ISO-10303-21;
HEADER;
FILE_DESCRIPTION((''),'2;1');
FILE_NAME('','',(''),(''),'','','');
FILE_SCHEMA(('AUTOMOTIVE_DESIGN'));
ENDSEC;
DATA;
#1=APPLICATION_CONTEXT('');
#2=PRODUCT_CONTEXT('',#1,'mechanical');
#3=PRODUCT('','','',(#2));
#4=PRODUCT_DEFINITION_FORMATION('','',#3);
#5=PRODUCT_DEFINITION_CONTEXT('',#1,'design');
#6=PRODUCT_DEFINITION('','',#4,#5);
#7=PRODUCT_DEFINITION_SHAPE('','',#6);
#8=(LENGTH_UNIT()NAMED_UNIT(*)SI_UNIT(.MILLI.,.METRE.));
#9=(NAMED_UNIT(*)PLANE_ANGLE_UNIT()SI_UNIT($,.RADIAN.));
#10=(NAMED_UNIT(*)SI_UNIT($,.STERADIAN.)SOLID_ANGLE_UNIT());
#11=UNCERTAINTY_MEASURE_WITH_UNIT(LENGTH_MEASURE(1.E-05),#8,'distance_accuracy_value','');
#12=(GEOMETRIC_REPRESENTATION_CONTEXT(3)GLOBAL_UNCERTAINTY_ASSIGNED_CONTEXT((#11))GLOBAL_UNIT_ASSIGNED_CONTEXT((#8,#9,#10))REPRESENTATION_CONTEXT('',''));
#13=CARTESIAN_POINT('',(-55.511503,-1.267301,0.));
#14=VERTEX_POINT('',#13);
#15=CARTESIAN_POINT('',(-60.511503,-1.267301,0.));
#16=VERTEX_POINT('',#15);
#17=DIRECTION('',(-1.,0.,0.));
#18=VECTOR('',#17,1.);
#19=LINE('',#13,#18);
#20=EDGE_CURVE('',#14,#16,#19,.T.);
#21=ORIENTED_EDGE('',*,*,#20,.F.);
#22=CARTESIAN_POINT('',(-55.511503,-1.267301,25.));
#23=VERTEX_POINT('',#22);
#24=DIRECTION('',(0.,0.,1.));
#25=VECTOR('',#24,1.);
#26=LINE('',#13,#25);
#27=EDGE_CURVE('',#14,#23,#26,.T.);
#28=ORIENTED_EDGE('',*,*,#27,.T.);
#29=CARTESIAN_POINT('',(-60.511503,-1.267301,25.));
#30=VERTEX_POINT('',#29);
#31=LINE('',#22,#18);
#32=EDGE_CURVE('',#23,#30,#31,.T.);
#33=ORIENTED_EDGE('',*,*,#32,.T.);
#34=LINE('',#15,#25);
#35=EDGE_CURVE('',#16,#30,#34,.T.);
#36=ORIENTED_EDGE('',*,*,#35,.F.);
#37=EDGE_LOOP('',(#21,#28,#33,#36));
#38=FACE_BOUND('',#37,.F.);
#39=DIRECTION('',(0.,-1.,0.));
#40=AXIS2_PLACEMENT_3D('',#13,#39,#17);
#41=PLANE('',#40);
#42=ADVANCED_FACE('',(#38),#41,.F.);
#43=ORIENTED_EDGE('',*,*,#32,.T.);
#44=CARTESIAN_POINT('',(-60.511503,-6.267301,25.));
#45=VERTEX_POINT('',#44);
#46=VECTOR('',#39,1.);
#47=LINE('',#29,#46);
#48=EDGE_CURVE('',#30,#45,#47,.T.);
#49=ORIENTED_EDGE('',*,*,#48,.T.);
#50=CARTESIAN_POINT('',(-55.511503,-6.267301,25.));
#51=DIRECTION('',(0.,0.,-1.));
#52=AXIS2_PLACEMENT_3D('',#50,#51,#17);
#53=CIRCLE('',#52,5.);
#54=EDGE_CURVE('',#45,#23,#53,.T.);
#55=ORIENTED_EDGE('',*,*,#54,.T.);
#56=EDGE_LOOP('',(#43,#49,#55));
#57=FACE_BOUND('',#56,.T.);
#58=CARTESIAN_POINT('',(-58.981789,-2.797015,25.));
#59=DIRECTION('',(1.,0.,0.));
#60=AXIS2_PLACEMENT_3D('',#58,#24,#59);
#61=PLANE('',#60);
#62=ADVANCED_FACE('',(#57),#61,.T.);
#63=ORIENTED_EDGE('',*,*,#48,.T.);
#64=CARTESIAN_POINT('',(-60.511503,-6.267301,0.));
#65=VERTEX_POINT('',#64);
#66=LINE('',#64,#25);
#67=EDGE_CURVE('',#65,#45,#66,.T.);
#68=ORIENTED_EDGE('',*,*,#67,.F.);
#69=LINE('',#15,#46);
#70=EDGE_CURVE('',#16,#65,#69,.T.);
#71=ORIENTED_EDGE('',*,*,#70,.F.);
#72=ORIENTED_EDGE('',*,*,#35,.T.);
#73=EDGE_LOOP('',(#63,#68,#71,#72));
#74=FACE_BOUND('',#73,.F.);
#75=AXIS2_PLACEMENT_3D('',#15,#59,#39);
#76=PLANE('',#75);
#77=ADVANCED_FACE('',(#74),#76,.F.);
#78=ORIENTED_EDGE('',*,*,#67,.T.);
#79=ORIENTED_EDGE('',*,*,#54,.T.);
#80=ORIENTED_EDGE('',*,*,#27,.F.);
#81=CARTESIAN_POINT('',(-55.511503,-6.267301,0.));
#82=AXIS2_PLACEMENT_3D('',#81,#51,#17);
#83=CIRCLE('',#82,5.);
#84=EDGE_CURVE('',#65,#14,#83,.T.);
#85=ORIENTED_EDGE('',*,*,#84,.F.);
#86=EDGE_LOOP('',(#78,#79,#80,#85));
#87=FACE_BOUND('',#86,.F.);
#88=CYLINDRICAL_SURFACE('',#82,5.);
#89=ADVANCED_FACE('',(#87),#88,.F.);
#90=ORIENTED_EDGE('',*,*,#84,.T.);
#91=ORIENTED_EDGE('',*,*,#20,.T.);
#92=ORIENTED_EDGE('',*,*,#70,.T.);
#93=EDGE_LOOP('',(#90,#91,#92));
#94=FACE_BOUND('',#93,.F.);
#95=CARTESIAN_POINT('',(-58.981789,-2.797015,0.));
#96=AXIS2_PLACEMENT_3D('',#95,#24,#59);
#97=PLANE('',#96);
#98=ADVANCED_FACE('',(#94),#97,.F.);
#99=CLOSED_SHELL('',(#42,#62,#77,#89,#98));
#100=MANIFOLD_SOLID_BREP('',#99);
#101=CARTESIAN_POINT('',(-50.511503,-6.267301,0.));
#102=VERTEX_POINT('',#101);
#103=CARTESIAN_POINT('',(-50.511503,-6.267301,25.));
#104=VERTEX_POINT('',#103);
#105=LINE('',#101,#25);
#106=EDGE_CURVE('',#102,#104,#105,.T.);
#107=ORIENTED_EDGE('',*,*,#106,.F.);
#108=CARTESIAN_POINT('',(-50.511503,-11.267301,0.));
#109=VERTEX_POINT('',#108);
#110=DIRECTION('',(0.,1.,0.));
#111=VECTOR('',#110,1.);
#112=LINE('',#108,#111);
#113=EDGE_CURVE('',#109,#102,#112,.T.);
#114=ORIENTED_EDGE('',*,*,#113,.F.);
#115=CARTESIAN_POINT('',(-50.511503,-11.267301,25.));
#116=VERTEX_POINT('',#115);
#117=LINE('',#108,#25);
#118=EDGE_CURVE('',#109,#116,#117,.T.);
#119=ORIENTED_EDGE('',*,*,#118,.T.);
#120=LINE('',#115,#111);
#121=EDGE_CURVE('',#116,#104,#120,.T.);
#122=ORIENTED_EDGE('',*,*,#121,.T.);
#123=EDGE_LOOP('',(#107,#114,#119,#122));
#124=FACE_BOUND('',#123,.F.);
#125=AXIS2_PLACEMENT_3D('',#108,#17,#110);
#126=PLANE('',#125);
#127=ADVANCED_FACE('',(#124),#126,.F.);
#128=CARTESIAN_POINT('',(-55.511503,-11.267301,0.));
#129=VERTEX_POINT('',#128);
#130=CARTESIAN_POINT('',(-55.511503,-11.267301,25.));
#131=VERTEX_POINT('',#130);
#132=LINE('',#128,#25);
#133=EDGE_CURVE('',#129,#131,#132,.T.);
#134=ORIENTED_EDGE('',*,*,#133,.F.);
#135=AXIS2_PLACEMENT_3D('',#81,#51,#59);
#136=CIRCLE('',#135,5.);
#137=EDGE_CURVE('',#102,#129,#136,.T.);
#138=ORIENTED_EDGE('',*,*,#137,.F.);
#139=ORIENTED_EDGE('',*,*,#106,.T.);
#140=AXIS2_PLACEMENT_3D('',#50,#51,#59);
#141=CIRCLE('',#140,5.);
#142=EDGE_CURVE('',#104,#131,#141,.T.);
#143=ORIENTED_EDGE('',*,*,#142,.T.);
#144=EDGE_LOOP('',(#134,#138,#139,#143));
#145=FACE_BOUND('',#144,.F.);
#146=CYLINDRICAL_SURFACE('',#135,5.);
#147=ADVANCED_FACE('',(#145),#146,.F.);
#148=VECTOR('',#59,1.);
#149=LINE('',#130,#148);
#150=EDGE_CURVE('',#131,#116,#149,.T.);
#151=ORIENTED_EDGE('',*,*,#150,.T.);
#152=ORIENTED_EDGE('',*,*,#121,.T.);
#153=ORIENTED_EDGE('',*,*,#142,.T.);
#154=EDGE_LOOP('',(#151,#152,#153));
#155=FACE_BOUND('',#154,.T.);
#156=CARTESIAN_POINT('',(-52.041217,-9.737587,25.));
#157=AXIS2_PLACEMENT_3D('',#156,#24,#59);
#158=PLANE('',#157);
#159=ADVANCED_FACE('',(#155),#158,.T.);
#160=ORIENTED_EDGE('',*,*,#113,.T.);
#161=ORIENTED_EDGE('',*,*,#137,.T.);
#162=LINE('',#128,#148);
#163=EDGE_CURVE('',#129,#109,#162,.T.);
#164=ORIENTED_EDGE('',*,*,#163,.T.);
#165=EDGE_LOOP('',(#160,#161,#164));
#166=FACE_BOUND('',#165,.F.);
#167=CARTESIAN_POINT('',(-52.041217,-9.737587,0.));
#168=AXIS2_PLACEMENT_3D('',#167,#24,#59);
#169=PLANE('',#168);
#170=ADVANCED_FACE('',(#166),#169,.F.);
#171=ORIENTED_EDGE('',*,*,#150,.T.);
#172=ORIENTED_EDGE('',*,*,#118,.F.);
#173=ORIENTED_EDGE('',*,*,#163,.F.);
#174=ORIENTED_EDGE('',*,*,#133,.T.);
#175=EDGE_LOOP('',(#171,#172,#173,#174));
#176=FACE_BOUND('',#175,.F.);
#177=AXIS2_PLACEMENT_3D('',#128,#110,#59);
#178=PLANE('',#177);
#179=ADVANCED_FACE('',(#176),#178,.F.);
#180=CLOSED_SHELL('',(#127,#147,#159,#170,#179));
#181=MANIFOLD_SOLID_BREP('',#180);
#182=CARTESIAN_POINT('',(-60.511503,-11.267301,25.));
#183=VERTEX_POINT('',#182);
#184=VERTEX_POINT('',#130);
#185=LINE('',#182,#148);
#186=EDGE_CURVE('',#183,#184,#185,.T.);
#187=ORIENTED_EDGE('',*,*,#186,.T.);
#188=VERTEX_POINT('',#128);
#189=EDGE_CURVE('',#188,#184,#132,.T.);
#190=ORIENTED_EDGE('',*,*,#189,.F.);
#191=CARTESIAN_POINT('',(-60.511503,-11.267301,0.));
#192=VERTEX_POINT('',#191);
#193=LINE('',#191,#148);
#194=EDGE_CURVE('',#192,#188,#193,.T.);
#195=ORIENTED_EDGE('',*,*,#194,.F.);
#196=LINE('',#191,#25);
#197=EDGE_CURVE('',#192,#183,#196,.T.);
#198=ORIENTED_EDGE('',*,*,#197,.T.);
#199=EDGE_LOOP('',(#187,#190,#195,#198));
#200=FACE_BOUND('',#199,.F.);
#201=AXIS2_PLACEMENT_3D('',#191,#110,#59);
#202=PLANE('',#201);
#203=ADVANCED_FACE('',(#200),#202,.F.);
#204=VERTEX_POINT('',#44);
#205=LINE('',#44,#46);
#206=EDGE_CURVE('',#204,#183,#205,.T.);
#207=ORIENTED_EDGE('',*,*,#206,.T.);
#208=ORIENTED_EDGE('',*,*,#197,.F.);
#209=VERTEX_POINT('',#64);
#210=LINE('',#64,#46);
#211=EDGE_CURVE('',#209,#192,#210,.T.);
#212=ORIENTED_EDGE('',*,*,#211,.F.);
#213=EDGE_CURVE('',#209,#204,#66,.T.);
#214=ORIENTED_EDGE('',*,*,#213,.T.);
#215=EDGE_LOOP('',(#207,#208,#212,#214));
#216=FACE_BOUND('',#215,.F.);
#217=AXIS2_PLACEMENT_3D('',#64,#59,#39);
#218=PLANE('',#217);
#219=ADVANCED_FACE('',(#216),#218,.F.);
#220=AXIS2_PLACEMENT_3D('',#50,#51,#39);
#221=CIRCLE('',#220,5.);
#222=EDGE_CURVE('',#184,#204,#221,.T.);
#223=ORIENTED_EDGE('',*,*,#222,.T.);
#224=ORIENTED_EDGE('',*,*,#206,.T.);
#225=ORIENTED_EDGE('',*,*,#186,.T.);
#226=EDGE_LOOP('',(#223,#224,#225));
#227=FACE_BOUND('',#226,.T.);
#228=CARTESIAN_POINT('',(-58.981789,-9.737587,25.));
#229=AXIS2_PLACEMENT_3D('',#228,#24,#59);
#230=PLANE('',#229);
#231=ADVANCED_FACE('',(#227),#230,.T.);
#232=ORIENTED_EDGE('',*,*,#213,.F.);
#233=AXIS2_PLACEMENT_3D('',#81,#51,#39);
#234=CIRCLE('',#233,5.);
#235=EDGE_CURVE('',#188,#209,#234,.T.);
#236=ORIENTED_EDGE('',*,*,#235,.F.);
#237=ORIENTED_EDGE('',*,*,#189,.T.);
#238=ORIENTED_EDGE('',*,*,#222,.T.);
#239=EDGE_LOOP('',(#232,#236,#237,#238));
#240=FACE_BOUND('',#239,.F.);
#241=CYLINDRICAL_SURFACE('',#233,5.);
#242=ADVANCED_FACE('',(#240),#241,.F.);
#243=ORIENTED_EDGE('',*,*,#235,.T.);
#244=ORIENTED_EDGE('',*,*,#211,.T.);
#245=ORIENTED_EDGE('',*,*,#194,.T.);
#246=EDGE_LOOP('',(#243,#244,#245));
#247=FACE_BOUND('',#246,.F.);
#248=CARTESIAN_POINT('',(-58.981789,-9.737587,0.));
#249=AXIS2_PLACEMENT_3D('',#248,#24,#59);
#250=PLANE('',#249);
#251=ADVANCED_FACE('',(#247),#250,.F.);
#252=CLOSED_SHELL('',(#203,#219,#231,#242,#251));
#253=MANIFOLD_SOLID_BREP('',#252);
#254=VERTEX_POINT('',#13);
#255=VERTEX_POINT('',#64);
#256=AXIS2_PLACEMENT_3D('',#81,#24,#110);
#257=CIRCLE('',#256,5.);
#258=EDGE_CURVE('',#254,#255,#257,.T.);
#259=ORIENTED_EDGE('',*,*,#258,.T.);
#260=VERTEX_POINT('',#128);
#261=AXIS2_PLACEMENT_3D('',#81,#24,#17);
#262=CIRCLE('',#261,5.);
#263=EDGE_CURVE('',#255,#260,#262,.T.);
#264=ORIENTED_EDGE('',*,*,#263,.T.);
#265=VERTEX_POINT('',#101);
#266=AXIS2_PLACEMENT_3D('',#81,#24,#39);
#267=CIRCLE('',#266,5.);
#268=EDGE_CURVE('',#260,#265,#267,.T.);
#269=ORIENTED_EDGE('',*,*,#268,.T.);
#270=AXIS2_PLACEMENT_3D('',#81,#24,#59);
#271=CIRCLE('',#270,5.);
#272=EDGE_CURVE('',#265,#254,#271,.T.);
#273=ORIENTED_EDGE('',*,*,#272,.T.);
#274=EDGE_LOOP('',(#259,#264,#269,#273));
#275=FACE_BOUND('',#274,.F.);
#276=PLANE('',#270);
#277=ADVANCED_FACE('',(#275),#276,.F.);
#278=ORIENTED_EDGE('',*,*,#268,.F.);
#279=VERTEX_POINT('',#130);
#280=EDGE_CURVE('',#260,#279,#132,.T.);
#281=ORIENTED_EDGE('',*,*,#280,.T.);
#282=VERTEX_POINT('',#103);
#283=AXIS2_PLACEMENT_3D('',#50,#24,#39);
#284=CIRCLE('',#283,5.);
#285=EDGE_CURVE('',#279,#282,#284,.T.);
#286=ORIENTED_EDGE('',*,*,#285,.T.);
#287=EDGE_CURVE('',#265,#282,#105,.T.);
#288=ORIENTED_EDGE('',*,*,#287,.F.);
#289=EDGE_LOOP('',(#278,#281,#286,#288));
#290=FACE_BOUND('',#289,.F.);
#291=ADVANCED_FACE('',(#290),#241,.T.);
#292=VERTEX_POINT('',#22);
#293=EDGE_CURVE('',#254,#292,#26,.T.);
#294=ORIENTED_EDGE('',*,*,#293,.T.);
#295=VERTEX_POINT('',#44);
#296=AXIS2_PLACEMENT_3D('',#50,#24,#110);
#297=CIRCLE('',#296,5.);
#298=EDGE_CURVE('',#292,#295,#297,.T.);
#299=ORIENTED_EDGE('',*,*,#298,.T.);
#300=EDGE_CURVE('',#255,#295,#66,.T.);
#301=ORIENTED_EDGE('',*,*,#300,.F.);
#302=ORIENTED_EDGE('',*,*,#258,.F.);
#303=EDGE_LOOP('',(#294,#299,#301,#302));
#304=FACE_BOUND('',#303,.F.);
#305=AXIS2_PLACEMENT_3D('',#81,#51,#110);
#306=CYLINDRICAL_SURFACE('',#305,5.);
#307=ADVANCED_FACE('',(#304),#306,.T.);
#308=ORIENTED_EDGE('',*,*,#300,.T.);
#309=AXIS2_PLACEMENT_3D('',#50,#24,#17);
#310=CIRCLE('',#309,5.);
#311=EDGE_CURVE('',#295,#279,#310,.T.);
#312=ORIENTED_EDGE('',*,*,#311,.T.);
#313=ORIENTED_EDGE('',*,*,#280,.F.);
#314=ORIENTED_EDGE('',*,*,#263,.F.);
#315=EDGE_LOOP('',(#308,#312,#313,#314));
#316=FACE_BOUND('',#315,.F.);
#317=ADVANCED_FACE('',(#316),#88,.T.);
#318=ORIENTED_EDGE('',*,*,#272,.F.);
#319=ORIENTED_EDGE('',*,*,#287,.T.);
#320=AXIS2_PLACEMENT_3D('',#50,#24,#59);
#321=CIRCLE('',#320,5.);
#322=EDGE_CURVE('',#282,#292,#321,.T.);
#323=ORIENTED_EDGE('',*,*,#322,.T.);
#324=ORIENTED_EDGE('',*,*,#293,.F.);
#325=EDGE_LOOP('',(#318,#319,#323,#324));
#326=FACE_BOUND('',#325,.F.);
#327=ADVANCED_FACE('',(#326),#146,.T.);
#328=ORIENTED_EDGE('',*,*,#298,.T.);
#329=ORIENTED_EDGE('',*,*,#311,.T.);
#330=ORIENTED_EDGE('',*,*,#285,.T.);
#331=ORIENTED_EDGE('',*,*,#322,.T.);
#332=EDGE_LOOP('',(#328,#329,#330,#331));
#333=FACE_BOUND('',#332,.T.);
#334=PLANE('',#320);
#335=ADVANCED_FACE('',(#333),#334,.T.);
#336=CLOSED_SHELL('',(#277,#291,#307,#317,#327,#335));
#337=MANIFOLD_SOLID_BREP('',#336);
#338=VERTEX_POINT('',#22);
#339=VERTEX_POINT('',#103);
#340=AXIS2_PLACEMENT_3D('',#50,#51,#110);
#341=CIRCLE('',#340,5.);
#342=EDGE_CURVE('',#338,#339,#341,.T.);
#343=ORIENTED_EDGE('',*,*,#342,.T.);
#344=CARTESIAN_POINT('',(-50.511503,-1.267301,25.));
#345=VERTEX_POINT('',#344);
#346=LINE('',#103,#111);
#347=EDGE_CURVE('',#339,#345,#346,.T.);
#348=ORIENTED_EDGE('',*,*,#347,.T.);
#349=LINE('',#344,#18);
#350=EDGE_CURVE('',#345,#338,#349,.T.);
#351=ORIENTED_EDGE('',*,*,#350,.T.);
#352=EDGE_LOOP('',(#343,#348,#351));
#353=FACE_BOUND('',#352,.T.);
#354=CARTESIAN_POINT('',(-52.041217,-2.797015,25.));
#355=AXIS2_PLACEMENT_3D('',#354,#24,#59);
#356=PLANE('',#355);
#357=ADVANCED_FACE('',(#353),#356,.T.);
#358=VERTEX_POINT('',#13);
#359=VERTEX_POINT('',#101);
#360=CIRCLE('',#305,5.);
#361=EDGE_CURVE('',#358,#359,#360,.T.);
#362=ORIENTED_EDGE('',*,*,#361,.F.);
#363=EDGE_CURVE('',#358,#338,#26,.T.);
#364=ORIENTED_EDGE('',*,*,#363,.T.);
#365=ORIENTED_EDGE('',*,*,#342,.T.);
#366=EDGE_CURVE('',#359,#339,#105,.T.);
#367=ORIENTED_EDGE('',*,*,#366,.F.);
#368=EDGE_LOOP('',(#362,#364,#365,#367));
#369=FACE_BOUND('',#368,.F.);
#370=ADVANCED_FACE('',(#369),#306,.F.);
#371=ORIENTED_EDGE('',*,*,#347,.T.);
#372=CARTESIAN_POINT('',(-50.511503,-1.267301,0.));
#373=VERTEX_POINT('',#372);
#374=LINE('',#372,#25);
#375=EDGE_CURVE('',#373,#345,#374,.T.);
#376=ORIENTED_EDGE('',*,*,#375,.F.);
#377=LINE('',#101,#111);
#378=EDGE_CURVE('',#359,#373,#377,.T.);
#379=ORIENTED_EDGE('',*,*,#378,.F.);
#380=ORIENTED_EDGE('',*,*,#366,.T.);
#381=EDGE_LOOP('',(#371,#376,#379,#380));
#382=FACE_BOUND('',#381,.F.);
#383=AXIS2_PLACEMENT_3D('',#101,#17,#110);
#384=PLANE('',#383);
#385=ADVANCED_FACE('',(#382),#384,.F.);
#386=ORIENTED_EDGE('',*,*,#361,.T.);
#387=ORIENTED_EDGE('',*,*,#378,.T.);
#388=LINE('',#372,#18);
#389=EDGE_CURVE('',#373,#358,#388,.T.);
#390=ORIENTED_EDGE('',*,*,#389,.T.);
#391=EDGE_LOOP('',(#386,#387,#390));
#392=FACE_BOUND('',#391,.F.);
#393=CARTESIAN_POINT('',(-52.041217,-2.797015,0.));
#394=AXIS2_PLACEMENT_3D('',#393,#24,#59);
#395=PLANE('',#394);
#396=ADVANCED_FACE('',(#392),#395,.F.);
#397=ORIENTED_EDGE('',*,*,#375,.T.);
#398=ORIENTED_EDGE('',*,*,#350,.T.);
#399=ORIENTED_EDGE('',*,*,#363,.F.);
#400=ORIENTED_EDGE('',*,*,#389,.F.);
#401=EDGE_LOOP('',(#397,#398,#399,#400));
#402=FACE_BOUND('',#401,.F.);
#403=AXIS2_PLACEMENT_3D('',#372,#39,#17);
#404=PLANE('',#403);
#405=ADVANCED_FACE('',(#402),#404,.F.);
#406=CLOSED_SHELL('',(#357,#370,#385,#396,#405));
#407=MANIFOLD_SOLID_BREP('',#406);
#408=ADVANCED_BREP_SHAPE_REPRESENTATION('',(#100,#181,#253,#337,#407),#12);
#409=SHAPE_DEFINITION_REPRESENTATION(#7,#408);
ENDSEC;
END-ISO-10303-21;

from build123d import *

# Parameters (mm, degrees)
F1_DEPTH = 25
F0_W     = 120
F0_H     = 7.5
F2_DEPTH = 25


with BuildPart() as f1:
    # F0 (on Top) → F1 (new body)
    with BuildSketch(Plane.XY):
        with BuildLine():
            Line((-55.5115031336, -1.2673012726), (-60.5115031336, -1.2673012726))
            Line((-60.5115031336, -1.2673012726), (-60.5115031336, -6.2673012726))
            ThreePointArc((-60.5115031336, -6.2673012726), (-59.0470370395, -2.7317673667), (-55.5115031336, -1.2673012726))
        make_face()
    extrude(amount=F1_DEPTH)


with BuildPart() as f1b:
    # F0 (on Top) → F1, piece 2 (new body)
    with BuildSketch(Plane.XY):
        with BuildLine():
            Line((-50.5115031336, -1.2673012726), (-55.5115031336, -1.2673012726))
            ThreePointArc((-55.5115031336, -1.2673012726), (-51.9759692277, -2.7317673667), (-50.5115031336, -6.2673012726))
            Line((-50.5115031336, -6.2673012726), (-50.5115031336, -1.2673012726))
        make_face()
    extrude(amount=F1_DEPTH)


with BuildPart() as f1c:
    # F0 (on Top) → F1, piece 3 (new body)
    with BuildSketch(Plane.XY):
        with BuildLine():
            ThreePointArc((-55.5115031336, -11.2673012726), (-59.0470370395, -9.8028351785), (-60.5115031336, -6.2673012726))
            Line((-60.5115031336, -6.2673012726), (-60.5115031336, -11.2673012726))
            Line((-60.5115031336, -11.2673012726), (-55.5115031336, -11.2673012726))
        make_face()
    extrude(amount=F1_DEPTH)


with BuildPart() as f1d:
    # F0 (on Top) → F1, piece 4 (new body)
    with BuildSketch(Plane.XY):
        with BuildLine():
            Line((-50.5115031336, -11.2673012726), (-50.5115031336, -6.2673012726))
            ThreePointArc((-50.5115031336, -6.2673012726), (-51.9759692277, -9.8028351785), (-55.5115031336, -11.2673012726))
            Line((-55.5115031336, -11.2673012726), (-50.5115031336, -11.2673012726))
        make_face()
    extrude(amount=F1_DEPTH)


with BuildPart() as f1e:
    # F0 (on Top) → F1, piece 5 (new body)
    with BuildSketch(Plane.XY):
        with Locations((19.0931870043, -10.3215911984)):
            Rectangle(F0_W, F0_H)
    extrude(amount=F1_DEPTH)


with BuildPart() as f2:
    # F0 (on Top) → F2 (new body)
    with BuildSketch(Plane.XY):
        with BuildLine():
            ThreePointArc((-50.5115031336, -6.2673012726), (-51.9759692277, -2.7317673667), (-55.5115031336, -1.2673012726))
            ThreePointArc((-55.5115031336, -1.2673012726), (-59.0470370395, -2.7317673667), (-60.5115031336, -6.2673012726))
            ThreePointArc((-60.5115031336, -6.2673012726), (-59.0470370395, -9.8028351785), (-55.5115031336, -11.2673012726))
            ThreePointArc((-55.5115031336, -11.2673012726), (-51.9759692277, -9.8028351785), (-50.5115031336, -6.2673012726))
        make_face()
    extrude(amount=F2_DEPTH)


with BuildPart() as f2b:
    # F0 (on Top) → F2, piece 2 (new body)
    with BuildSketch(Plane.XY):
        with Locations((19.0931870043, -2.8215911984)):
            Rectangle(F0_W, F0_H)
    extrude(amount=F2_DEPTH)


solid = Compound([f1.part, f1b.part, f1c.part, f1d.part, f2.part])
